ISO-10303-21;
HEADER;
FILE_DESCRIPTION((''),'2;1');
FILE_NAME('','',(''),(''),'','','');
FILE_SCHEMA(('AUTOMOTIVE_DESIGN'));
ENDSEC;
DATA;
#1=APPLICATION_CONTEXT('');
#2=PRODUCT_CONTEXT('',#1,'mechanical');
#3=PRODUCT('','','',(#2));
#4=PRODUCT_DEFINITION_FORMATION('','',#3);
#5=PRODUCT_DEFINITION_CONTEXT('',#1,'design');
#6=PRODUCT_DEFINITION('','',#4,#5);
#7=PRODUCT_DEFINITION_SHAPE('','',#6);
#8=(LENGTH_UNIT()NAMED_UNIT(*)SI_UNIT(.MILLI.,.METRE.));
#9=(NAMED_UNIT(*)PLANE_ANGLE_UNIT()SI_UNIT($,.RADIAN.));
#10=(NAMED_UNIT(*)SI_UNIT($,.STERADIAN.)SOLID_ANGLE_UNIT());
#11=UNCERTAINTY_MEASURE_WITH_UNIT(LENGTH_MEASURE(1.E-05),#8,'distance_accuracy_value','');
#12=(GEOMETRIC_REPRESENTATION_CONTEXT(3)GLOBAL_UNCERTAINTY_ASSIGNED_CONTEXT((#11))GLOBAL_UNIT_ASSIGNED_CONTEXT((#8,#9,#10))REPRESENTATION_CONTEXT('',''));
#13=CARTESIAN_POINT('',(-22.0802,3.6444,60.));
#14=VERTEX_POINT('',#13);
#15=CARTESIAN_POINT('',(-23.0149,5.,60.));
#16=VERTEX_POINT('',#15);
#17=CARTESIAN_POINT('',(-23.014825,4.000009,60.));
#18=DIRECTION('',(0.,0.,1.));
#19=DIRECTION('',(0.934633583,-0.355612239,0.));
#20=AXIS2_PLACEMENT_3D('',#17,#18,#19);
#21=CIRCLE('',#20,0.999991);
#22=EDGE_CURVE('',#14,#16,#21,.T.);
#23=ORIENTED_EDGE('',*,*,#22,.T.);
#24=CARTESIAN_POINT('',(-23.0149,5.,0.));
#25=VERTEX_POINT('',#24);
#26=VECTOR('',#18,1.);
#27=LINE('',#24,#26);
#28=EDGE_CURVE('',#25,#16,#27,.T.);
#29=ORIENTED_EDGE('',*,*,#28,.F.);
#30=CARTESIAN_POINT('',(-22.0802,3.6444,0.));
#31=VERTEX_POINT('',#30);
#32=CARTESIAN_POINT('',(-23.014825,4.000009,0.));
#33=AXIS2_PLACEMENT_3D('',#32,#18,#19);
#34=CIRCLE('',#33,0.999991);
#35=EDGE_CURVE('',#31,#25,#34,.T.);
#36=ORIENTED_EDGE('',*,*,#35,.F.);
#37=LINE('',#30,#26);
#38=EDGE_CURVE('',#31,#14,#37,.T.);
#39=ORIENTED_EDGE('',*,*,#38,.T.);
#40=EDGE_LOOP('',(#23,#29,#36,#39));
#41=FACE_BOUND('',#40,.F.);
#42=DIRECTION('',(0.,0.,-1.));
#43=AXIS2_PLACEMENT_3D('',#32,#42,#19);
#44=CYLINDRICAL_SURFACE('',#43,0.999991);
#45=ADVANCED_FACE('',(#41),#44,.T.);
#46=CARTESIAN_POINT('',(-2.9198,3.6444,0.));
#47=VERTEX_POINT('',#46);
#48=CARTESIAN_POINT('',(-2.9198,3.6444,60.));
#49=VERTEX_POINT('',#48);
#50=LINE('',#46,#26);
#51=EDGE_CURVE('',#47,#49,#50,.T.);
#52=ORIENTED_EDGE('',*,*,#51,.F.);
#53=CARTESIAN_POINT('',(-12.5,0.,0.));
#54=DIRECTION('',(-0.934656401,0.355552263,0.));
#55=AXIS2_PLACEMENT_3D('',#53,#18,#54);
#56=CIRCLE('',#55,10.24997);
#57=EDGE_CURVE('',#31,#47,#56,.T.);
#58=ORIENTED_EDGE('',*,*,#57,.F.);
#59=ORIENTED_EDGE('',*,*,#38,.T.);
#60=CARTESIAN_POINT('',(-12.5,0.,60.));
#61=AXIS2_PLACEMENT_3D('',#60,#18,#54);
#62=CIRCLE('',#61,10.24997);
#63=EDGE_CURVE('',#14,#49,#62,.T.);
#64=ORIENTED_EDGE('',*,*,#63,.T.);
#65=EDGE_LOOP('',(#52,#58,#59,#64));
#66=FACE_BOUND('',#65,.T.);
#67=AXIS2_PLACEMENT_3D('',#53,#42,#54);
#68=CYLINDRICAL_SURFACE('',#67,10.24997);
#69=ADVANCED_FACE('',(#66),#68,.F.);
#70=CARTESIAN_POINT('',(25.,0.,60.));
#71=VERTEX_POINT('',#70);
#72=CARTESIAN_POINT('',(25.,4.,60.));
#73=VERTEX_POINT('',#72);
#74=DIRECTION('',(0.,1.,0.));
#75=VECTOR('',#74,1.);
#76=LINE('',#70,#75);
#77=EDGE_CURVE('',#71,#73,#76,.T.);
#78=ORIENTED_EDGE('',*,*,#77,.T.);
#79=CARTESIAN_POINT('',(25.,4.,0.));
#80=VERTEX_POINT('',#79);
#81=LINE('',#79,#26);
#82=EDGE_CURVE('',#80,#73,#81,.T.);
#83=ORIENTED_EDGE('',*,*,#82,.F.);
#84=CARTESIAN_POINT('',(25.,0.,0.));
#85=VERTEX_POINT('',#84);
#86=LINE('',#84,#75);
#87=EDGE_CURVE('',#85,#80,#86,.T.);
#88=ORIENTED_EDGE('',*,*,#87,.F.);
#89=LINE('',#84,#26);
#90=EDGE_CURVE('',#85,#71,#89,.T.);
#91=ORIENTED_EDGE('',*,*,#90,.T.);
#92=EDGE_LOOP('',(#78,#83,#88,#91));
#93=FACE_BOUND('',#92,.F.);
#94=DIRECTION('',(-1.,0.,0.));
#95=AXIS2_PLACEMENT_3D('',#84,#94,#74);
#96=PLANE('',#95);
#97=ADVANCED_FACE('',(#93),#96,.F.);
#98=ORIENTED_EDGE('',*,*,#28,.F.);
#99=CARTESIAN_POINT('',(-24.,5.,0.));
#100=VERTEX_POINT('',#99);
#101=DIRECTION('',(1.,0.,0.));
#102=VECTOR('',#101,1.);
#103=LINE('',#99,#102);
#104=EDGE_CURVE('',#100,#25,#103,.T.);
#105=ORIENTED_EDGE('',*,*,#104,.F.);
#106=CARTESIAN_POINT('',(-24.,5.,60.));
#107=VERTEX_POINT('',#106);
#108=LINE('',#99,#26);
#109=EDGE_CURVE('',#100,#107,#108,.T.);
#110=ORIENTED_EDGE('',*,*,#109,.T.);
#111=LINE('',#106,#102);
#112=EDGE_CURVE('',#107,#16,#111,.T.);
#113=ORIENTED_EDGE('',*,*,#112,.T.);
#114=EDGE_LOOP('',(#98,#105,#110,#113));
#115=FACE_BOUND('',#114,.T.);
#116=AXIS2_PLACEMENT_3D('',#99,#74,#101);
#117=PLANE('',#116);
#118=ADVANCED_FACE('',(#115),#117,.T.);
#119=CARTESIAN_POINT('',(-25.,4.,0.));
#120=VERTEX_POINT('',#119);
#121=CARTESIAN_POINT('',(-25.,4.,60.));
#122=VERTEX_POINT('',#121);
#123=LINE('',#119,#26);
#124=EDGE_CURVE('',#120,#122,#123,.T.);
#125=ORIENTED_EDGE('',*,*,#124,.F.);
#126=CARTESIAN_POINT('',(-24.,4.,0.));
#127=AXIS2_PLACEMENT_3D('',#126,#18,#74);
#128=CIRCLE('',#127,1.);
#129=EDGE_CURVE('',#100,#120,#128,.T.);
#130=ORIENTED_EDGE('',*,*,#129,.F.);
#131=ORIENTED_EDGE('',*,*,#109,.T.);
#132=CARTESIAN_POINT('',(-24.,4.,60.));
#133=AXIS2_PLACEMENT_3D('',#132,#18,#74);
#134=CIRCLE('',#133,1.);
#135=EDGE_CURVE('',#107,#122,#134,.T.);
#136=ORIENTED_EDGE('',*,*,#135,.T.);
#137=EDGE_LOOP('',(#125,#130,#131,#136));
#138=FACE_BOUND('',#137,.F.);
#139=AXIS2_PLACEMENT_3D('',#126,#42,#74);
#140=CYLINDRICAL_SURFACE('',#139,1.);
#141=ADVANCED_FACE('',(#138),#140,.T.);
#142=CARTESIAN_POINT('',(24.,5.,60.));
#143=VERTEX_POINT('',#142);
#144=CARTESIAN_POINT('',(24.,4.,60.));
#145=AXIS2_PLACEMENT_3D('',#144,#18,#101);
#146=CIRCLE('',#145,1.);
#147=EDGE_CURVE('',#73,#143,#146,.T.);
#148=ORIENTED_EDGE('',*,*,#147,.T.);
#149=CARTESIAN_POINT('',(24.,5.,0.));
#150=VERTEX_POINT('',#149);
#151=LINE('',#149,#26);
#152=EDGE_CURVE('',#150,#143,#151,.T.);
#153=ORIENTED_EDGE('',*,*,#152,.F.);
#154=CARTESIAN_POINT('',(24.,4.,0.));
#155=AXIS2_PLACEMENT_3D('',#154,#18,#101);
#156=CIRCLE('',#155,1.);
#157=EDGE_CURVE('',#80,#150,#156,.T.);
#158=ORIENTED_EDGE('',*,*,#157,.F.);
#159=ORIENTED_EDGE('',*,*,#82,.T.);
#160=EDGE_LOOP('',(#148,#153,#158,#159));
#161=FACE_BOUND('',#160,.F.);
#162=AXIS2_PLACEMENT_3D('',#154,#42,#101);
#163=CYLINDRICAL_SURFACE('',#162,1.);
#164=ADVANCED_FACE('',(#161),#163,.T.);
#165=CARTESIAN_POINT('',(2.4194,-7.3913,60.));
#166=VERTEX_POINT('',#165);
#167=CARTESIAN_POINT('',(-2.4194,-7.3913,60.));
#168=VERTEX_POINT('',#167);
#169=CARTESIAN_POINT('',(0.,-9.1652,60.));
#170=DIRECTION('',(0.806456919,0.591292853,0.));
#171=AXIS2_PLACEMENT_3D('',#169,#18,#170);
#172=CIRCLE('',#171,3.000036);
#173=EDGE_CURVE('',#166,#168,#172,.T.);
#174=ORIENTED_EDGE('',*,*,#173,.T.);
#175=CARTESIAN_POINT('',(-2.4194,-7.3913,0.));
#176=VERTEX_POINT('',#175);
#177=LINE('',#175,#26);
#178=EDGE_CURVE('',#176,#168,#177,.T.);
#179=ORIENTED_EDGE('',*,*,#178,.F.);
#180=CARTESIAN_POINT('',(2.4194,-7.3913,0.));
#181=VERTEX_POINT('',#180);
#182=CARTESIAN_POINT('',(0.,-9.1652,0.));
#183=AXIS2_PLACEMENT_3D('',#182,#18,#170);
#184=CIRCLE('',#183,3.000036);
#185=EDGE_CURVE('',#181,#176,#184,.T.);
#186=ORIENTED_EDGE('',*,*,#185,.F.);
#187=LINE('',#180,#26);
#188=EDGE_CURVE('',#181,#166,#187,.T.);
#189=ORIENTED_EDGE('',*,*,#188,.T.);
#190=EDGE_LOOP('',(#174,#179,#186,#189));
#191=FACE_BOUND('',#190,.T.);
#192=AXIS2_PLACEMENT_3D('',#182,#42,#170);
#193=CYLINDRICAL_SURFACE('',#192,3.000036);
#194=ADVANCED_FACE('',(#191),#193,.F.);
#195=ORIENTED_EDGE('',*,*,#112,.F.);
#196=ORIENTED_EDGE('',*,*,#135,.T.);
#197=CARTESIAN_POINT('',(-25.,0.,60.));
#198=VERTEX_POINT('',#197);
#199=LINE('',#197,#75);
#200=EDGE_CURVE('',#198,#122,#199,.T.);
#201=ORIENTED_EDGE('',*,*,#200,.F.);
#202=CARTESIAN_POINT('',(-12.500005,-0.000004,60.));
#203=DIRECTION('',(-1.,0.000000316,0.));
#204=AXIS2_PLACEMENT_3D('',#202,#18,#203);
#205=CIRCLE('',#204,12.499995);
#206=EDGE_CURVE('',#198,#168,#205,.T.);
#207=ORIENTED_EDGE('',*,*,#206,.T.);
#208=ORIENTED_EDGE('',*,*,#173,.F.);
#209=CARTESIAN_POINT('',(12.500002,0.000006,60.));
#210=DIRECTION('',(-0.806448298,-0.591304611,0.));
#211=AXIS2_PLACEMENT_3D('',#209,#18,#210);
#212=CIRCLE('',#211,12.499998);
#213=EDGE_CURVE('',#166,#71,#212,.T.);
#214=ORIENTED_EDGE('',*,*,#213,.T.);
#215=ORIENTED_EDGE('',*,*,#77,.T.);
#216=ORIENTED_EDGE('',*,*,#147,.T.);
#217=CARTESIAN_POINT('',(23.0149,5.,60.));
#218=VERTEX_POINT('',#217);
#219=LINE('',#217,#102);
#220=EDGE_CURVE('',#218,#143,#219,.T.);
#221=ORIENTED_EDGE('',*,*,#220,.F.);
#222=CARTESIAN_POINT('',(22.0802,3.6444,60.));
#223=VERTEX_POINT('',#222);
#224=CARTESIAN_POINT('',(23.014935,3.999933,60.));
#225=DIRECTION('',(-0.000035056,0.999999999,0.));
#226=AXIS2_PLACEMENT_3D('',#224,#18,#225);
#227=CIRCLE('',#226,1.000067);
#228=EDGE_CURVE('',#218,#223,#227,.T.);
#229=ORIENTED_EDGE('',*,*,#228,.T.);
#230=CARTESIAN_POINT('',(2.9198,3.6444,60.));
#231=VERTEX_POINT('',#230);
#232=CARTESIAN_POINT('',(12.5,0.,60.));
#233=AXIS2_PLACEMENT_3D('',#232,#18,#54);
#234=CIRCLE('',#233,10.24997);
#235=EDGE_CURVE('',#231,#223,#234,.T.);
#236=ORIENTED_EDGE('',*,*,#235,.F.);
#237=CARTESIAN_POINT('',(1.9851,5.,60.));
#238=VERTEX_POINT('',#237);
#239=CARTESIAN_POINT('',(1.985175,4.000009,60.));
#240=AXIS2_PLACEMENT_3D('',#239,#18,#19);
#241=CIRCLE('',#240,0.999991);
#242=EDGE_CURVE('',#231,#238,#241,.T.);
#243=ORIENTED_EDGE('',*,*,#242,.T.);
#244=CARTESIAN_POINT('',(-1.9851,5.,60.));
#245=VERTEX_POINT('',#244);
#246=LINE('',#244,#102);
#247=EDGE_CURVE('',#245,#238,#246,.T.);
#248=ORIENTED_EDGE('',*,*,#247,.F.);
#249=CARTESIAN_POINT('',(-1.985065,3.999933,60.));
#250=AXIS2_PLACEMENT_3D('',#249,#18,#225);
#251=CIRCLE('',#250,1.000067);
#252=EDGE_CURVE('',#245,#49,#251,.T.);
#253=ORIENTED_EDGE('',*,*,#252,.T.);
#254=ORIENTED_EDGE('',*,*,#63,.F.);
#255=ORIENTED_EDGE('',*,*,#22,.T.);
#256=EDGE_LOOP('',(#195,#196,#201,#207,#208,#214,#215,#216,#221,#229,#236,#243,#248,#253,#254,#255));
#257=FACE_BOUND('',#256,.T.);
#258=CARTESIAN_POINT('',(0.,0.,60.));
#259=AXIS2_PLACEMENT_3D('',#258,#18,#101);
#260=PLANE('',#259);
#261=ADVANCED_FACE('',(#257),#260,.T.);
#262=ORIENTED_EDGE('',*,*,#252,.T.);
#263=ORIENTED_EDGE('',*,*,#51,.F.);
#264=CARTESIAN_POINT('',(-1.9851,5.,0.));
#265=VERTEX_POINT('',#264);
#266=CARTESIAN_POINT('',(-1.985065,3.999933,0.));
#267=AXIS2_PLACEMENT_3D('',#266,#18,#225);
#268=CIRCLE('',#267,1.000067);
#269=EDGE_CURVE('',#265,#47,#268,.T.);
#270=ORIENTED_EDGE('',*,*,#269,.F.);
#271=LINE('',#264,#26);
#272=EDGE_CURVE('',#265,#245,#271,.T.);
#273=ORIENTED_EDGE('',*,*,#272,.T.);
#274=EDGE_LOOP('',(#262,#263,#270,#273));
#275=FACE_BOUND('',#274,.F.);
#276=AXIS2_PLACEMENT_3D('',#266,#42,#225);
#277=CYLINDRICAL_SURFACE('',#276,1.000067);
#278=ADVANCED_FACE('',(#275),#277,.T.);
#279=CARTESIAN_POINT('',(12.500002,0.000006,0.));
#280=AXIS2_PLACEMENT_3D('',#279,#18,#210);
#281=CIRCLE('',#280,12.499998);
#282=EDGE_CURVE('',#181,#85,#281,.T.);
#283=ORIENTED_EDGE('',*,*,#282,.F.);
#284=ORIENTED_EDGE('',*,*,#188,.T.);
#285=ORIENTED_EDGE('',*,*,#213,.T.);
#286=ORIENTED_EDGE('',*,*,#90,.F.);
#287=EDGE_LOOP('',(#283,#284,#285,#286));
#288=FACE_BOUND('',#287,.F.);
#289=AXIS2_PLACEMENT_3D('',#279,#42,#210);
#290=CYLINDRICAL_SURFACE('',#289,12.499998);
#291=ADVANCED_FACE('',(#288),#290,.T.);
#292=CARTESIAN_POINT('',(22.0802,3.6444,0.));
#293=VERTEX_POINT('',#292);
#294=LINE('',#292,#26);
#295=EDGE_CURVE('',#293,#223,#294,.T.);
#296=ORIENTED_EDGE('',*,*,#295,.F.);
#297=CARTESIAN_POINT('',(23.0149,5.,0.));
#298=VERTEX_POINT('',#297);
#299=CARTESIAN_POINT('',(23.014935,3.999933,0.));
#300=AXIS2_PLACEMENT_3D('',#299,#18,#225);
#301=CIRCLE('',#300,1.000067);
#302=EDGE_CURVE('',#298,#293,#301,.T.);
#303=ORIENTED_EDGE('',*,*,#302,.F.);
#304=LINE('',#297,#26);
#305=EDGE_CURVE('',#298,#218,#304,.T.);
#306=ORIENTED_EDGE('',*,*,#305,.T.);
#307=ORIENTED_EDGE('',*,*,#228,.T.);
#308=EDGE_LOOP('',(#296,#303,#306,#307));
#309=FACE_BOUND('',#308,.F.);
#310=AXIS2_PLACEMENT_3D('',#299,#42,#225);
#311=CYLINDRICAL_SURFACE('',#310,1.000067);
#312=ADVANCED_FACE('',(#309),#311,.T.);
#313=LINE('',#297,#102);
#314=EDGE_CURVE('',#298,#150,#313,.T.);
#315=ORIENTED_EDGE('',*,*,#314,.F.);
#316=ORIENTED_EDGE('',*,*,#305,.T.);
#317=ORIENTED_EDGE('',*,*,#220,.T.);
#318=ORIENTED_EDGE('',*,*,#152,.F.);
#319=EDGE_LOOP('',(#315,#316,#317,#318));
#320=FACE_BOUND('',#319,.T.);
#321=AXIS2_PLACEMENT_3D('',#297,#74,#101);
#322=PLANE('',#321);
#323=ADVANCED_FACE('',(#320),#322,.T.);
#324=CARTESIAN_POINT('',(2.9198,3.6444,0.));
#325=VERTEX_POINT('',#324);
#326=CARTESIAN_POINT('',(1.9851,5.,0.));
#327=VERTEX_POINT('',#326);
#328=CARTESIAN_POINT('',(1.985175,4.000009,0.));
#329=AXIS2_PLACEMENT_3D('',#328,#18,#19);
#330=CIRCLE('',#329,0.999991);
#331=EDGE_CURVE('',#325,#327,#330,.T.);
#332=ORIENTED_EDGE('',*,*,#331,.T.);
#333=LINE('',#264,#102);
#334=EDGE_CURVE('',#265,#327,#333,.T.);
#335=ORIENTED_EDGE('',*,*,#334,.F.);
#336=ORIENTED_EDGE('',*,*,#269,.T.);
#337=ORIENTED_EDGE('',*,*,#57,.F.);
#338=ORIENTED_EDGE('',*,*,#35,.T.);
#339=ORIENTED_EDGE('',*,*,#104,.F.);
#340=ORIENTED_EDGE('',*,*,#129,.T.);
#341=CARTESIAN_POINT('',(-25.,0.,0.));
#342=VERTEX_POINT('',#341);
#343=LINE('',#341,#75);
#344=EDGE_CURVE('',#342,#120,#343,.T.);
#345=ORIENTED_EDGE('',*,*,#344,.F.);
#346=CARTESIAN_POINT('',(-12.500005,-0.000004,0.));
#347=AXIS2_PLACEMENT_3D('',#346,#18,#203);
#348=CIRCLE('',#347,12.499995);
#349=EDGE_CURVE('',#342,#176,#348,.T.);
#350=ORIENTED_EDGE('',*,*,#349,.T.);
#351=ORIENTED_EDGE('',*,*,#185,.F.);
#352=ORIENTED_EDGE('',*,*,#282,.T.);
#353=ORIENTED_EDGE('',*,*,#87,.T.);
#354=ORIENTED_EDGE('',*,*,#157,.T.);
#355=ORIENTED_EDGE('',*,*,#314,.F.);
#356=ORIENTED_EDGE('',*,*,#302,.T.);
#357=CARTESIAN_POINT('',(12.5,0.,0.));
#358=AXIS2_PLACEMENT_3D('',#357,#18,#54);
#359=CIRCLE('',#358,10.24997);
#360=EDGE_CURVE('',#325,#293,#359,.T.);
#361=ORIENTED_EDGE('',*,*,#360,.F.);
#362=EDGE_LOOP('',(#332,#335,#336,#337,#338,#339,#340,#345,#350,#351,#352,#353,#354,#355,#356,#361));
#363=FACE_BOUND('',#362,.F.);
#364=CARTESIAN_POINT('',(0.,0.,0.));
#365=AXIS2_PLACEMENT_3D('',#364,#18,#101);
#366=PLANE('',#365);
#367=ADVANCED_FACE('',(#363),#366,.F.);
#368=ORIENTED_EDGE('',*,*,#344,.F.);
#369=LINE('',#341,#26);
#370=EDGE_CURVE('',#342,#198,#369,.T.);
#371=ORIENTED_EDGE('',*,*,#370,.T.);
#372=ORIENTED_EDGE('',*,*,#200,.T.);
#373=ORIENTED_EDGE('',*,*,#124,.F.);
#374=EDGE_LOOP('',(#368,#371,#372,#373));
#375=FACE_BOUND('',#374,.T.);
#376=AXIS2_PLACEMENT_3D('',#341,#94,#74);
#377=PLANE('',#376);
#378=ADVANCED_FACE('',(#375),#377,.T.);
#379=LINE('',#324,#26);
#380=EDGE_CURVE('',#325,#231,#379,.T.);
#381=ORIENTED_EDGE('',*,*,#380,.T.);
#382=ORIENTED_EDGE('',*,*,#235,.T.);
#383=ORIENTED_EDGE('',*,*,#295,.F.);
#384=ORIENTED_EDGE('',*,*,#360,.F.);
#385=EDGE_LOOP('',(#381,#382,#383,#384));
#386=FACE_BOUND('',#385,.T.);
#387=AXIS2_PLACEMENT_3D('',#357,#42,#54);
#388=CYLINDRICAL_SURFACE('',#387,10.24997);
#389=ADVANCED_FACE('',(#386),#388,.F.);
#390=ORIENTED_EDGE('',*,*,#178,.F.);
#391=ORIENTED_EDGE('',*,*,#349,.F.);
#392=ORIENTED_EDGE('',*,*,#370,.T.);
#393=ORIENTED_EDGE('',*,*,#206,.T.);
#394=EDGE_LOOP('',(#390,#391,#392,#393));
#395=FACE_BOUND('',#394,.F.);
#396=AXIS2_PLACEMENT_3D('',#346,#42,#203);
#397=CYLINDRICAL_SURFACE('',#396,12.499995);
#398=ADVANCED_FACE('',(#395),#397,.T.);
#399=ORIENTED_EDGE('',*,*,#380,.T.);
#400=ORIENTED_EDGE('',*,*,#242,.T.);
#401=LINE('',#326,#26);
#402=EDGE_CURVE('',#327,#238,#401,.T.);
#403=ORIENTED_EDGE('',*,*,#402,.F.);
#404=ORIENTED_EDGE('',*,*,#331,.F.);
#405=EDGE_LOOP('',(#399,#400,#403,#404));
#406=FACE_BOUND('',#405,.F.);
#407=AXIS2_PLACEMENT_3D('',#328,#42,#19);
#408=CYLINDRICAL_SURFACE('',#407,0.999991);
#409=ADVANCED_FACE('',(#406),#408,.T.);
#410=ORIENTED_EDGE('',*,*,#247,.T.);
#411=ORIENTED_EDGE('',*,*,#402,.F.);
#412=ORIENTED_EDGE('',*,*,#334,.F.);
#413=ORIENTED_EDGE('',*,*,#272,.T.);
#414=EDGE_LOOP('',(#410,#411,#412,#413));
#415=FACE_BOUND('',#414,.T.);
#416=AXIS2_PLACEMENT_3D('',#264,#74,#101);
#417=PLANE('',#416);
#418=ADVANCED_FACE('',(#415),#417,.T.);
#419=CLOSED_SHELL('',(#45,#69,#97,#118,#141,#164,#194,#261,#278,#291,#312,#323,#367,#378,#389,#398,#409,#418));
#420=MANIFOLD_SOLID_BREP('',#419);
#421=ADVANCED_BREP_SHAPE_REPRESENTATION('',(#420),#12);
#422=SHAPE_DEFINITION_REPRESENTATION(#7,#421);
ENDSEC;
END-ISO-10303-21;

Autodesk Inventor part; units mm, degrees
ref_plane "YZ Plane" through (0, 0, 0) normal (1, 0, 0) x (0, 1, 0)
ref_plane "XZ Plane" through (0, 0, 0) normal (0, 1, 0) x (-1, 0, 0)
ref_plane "XY Plane" through (0, 0, 0) normal (0, 0, 1) x (1, 0, 0)
sketch "Sketch1" plane through (0, 0, 0) normal (0, 0, 1) x (1, 0, 0)
  arc A0 (-25, 0) -> (0, 0) centre (-12.5, 0) ccw construction
  arc A1 (0, 0) -> (25, 0) centre (12.5, 0) ccw construction
  line L0 (-25, 0) -> (25, 0) construction
  line L1 (-25, 0) -> (-25, 4)
  line L2 (25, 0) -> (25, 4)
  arc A2 (-22.0802, 3.6444) -> (-2.9198, 3.6444) centre (-12.5, 0) ccw
  arc A3 (2.9198, 3.6444) -> (22.0802, 3.6444) centre (12.5, 0) ccw
  line L3 (-24, 5) -> (-23.0149, 5)
  line L4 (-1.9851, 5) -> (1.9851, 5)
  line L5 (23.0149, 5) -> (24, 5)
  arc A4 (2.4194, -7.3913) -> (-2.4194, -7.3913) centre (0, -9.1652) ccw
  arc A5 (-22.0802, 3.6444) -> (-23.0149, 5) centre (-23.0149, 4) ccw
  arc A6 (-24, 5) -> (-25, 4) centre (-24, 4) ccw
  arc A7 (-1.9851, 5) -> (-2.9198, 3.6444) centre (-1.9851, 4) ccw
  arc A8 (2.9198, 3.6444) -> (1.9851, 5) centre (1.9851, 4) ccw
  arc A9 (23.0149, 5) -> (22.0802, 3.6444) centre (23.0149, 4) ccw
  arc A10 (25, 4) -> (24, 5) centre (24, 4) ccw
  arc A11 (-25, 0) -> (-2.4194, -7.3913) centre (-12.5, 0) ccw
  arc A12 (2.4194, -7.3913) -> (25, 0) centre (12.5, 0) ccw
  line L6 (-24, 5) -> (-23.0149, 5)
  point P0 (25, 5)
  point P1 (-3.5522, 5)
  point P2 (3.5522, 5)
  point P3 (21.4478, 5)
  dimension "d0" = 12.5
  dimension "d2" = 12.5
  dimension "d3" = 5
  dimension "d5" = 10.25
  dimension "d6" = 10.25
  dimension "d9" = 3
  dimension "d10" = 1
  dimension "d11" = 1
extrude "Extrusion2" add sketch "Sketch1" along normal blind 60
equation "\"d2\" = d0"
equation "\"d6\" = d5"
properties part number "spool holder"
